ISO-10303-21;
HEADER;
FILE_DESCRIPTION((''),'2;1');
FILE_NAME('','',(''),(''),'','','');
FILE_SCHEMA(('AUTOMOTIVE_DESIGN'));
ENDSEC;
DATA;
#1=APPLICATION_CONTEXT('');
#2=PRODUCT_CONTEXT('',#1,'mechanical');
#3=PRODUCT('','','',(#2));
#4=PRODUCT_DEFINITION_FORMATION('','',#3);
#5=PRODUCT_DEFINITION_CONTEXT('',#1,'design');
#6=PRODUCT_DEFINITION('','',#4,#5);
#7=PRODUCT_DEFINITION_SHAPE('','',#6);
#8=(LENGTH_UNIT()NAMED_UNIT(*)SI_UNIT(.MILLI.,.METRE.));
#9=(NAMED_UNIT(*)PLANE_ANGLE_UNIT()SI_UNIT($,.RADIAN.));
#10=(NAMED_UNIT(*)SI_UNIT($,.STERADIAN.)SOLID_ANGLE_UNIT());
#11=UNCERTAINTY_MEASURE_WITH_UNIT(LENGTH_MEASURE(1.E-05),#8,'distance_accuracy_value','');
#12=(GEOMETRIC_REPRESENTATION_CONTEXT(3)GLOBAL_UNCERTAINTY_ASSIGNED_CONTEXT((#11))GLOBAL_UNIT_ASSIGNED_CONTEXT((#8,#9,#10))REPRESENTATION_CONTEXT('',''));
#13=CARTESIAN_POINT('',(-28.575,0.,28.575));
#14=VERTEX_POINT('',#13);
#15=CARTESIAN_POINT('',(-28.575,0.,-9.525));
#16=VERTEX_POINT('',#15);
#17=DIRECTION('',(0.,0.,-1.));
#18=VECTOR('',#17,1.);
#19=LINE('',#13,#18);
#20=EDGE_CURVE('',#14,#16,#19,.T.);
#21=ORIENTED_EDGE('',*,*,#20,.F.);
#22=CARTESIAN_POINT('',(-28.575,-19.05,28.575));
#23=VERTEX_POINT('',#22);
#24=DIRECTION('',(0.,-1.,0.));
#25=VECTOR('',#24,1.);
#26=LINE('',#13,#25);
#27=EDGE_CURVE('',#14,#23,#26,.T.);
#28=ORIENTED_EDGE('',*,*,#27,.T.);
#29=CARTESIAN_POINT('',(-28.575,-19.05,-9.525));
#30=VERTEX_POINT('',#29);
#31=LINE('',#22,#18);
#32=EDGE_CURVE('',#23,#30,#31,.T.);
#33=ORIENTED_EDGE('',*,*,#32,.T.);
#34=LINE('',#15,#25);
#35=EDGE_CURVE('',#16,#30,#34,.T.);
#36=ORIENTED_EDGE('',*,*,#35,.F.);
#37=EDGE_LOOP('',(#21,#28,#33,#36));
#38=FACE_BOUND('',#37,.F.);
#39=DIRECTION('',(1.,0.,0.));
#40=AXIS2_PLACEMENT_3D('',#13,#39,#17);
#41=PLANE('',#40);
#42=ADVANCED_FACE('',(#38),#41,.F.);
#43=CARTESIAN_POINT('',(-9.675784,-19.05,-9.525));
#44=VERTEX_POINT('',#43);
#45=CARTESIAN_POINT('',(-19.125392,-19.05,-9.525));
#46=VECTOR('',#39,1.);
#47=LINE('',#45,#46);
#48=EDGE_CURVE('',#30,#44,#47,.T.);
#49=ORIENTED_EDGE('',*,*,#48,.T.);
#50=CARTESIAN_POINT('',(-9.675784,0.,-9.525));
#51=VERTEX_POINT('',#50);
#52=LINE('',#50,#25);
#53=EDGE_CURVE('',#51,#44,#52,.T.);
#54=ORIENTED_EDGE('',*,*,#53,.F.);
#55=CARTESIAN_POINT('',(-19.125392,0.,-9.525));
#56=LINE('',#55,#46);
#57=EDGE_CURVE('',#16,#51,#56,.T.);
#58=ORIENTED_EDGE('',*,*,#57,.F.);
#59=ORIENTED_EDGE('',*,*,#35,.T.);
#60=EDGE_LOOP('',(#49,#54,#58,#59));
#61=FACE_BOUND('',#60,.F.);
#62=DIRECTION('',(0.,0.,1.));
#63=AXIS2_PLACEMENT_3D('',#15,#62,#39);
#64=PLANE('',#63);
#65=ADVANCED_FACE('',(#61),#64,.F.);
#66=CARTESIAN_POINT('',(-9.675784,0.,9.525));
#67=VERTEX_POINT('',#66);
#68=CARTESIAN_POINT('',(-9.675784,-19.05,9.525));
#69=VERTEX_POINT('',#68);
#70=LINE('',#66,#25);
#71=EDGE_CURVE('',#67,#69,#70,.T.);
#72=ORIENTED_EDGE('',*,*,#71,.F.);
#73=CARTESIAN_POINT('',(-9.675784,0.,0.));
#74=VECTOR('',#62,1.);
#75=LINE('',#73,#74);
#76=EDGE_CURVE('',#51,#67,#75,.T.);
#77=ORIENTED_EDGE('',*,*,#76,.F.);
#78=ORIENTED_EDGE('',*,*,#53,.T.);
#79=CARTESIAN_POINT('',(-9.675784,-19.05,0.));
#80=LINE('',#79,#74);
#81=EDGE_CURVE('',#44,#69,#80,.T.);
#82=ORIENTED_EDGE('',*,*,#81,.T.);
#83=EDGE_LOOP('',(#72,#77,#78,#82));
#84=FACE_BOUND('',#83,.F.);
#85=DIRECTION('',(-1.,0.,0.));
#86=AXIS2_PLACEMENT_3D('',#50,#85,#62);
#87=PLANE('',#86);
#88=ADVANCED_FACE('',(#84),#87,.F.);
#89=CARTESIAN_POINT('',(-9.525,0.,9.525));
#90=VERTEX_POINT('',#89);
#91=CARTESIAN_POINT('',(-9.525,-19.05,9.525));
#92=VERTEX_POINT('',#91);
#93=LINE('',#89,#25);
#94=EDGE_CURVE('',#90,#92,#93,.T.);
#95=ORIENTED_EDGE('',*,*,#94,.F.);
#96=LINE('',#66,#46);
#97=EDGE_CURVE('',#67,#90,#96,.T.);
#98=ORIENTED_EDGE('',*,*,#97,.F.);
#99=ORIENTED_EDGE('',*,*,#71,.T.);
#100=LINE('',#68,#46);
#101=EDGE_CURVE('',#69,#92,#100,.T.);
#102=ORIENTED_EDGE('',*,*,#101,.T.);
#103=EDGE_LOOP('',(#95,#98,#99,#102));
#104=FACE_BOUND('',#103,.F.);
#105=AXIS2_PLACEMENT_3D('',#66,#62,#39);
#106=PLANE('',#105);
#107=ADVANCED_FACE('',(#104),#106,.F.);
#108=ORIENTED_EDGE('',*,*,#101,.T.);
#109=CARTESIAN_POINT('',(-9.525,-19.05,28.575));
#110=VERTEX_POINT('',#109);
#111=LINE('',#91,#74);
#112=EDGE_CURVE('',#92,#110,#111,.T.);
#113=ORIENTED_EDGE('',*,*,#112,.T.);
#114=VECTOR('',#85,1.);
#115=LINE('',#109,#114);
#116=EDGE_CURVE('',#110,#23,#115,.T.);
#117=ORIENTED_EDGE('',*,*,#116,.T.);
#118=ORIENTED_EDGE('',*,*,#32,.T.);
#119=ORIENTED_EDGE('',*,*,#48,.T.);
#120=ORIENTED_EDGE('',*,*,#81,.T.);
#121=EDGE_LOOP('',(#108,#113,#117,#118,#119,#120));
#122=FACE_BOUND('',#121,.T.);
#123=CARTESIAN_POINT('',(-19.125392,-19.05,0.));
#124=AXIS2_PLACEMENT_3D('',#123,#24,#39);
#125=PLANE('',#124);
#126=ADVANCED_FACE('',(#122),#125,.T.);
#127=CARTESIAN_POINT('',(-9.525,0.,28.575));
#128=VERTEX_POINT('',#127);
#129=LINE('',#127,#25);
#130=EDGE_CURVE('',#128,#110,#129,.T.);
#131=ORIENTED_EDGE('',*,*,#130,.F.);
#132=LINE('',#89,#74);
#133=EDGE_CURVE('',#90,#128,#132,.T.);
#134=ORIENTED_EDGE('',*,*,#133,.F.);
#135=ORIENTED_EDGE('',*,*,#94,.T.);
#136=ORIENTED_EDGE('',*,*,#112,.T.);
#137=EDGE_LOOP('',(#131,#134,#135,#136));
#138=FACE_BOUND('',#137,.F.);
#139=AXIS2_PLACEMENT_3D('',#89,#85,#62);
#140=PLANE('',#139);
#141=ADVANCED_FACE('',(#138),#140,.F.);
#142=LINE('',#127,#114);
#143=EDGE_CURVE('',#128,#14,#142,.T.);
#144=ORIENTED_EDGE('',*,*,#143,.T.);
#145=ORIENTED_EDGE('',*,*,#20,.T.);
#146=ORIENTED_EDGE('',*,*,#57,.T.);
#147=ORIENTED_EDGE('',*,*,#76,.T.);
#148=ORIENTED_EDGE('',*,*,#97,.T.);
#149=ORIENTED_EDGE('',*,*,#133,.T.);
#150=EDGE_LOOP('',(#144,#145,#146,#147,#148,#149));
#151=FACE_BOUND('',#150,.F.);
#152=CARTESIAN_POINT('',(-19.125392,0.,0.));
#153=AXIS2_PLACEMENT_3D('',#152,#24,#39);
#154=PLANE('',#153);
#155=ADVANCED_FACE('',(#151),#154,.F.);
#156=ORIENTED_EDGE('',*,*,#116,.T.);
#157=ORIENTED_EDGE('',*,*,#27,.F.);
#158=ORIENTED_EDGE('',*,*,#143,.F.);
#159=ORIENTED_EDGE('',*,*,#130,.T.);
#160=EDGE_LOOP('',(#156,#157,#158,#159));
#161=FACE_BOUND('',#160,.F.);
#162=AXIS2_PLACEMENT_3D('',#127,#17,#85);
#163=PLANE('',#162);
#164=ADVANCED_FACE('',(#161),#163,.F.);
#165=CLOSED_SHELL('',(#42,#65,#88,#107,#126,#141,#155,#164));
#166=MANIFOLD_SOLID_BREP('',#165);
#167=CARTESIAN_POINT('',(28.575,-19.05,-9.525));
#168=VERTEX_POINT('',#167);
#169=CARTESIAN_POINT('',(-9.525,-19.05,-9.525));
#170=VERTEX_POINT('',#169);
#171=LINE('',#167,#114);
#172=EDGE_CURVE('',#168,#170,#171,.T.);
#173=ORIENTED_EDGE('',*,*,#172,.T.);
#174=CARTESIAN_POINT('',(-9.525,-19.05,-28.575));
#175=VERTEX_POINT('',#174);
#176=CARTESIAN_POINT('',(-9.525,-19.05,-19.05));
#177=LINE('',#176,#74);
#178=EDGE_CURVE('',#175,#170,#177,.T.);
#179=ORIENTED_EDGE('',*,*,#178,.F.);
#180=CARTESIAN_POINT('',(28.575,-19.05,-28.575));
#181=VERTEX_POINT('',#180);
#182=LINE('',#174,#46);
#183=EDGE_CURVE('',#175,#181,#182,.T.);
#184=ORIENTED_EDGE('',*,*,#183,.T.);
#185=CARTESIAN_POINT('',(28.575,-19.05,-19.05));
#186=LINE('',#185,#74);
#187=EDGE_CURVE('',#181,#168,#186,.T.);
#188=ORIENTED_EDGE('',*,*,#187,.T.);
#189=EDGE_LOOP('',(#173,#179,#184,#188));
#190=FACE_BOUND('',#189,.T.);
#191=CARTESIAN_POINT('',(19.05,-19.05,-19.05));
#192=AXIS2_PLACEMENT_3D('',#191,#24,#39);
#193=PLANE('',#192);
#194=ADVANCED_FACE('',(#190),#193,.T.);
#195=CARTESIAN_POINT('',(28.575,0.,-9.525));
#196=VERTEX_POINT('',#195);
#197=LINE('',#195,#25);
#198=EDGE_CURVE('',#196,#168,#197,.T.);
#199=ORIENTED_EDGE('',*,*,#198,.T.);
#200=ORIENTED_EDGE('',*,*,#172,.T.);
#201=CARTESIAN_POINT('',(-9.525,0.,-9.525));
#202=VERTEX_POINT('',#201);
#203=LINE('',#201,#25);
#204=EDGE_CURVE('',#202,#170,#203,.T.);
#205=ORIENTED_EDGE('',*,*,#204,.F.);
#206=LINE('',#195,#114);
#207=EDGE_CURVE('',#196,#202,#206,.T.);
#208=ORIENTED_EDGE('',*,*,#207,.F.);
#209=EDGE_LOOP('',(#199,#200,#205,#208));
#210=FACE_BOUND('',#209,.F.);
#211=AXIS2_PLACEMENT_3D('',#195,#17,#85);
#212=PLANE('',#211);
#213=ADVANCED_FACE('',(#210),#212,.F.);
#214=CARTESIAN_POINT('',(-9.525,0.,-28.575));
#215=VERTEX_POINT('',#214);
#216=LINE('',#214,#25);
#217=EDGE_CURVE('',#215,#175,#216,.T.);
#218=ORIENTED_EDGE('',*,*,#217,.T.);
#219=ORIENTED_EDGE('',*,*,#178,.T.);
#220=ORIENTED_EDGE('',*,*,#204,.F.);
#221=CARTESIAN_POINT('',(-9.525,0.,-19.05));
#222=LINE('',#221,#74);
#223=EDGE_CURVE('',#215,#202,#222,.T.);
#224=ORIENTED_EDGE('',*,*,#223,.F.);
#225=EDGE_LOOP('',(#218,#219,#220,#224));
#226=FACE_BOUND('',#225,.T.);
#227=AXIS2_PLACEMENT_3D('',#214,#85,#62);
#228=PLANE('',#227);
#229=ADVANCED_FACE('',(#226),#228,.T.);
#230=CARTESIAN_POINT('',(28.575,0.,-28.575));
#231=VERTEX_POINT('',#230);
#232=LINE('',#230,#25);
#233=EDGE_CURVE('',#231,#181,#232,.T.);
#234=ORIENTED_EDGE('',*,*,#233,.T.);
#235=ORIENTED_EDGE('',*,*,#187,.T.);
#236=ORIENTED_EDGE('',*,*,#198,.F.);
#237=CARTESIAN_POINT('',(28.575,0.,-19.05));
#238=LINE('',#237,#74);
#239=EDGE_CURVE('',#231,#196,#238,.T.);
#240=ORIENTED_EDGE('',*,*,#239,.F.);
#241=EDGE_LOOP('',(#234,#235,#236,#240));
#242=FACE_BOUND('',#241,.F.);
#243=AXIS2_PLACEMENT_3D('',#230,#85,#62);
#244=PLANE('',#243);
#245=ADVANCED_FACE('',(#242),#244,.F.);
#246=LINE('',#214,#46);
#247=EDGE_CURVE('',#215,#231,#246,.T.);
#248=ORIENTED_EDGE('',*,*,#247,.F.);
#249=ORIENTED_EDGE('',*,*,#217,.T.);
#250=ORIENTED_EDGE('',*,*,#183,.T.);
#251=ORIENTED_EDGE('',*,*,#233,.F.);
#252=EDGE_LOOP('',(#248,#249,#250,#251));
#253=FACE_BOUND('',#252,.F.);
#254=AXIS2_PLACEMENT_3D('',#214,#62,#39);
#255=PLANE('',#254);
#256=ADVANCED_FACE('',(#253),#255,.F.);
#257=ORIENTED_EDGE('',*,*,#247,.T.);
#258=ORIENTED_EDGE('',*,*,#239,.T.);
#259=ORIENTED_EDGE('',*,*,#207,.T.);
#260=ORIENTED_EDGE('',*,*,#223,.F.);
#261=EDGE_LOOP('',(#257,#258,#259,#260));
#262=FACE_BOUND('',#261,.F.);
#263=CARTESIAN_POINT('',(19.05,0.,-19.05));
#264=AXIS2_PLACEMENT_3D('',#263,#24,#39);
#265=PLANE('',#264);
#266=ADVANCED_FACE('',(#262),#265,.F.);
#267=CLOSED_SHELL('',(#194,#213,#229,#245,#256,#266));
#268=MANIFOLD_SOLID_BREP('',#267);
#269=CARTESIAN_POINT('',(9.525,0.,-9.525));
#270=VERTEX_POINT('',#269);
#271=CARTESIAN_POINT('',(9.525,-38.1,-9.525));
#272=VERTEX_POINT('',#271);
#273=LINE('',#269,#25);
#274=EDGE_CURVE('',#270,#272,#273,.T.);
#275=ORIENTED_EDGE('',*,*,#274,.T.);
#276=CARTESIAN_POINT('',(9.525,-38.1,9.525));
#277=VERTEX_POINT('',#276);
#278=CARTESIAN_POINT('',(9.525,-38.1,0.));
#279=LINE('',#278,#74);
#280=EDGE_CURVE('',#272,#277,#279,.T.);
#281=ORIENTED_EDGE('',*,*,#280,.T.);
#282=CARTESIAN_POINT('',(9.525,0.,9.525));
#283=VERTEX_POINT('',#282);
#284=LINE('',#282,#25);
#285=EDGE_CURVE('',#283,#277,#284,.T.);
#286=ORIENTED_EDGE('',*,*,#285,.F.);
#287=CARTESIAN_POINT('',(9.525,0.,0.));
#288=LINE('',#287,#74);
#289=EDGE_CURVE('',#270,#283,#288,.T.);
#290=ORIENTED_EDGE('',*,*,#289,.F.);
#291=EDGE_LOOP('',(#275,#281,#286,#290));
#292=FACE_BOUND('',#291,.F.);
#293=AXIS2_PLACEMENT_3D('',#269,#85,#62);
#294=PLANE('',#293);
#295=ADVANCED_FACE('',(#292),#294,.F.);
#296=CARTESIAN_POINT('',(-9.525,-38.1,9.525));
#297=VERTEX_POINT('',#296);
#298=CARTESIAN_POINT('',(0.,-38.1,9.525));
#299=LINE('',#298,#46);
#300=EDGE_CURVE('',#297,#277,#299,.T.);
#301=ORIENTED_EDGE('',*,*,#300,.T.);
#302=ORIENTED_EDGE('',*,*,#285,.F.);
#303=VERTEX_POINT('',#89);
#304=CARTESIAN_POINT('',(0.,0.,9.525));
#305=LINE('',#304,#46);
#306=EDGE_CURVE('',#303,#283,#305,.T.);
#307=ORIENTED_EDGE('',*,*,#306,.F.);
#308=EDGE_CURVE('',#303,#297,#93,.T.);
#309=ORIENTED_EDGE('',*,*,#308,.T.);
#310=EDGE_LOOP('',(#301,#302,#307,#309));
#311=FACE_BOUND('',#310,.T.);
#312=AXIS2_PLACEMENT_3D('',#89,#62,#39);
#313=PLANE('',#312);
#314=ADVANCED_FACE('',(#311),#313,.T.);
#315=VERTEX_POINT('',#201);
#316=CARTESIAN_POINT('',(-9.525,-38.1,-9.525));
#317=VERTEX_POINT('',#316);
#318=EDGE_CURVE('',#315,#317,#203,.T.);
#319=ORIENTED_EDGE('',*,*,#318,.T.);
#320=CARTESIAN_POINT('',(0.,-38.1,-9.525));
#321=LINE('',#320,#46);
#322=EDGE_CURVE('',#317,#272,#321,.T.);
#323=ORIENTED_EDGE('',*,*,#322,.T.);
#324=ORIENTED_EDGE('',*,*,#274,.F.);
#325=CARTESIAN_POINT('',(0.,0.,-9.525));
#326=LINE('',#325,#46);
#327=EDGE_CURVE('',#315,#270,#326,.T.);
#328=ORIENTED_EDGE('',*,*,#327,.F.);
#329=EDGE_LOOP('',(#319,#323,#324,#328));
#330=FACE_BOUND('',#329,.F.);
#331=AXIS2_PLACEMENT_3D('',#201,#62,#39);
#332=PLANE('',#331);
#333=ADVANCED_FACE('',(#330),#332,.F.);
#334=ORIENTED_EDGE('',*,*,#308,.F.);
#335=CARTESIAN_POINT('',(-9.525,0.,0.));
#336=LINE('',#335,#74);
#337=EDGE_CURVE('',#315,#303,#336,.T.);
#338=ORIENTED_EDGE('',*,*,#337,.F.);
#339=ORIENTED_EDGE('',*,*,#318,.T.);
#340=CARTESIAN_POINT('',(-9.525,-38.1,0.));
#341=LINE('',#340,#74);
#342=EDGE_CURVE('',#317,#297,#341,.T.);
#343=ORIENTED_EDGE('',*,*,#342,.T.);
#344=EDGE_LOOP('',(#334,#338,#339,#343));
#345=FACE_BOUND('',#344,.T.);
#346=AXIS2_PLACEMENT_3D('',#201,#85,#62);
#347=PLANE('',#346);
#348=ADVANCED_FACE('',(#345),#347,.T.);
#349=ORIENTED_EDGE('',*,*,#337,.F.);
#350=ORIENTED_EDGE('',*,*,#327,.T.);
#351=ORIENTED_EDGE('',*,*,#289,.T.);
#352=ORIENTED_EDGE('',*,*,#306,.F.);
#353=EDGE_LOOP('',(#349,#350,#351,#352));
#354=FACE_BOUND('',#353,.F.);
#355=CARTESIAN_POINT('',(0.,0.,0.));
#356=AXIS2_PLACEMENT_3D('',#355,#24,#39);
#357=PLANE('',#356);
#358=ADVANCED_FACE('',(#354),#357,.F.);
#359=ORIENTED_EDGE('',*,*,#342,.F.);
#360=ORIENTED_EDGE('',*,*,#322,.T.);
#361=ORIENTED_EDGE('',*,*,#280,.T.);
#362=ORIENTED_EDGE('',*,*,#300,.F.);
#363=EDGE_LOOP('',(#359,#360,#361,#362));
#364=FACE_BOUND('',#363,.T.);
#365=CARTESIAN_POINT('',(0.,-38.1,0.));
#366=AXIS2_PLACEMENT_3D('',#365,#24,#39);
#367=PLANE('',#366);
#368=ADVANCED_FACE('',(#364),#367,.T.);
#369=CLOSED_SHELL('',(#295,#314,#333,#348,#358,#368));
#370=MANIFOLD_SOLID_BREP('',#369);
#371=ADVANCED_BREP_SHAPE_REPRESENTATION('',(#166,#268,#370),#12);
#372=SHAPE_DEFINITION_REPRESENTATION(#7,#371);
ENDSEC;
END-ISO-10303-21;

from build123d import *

# Parameters (mm, degrees)
F0_W     = 18.899216
F0_H     = 19.05
F0_W_2   = 19.05
F1_DEPTH = 19.05
F2_DEPTH = 38.1


with BuildPart() as f1:
    # F0 (on Front) → F1 (new body)
    with BuildSketch(Plane.XZ):
        with Locations((-19.125392, 0)):
            Rectangle(F0_W, F0_H)
        with Locations((19.05, -19.05)):
            Rectangle(F0_W_2, F0_H)
        with Locations((0, -19.05)):
            Rectangle(F0_W_2, F0_H)
        Polygon((-9.675784, 9.525), (-9.525, 9.525), (-9.525, 28.575), (-28.575, 28.575), (-28.575, 9.525), align=None)
    extrude(amount=F1_DEPTH)


with BuildPart() as f2:
    # F0 (on Front) → F2 (new body)
    with BuildSketch(Plane.XZ):
        Rectangle(F0_W_2, F0_H)
    extrude(amount=F2_DEPTH)


solid = Compound([f1.part, f2.part])
